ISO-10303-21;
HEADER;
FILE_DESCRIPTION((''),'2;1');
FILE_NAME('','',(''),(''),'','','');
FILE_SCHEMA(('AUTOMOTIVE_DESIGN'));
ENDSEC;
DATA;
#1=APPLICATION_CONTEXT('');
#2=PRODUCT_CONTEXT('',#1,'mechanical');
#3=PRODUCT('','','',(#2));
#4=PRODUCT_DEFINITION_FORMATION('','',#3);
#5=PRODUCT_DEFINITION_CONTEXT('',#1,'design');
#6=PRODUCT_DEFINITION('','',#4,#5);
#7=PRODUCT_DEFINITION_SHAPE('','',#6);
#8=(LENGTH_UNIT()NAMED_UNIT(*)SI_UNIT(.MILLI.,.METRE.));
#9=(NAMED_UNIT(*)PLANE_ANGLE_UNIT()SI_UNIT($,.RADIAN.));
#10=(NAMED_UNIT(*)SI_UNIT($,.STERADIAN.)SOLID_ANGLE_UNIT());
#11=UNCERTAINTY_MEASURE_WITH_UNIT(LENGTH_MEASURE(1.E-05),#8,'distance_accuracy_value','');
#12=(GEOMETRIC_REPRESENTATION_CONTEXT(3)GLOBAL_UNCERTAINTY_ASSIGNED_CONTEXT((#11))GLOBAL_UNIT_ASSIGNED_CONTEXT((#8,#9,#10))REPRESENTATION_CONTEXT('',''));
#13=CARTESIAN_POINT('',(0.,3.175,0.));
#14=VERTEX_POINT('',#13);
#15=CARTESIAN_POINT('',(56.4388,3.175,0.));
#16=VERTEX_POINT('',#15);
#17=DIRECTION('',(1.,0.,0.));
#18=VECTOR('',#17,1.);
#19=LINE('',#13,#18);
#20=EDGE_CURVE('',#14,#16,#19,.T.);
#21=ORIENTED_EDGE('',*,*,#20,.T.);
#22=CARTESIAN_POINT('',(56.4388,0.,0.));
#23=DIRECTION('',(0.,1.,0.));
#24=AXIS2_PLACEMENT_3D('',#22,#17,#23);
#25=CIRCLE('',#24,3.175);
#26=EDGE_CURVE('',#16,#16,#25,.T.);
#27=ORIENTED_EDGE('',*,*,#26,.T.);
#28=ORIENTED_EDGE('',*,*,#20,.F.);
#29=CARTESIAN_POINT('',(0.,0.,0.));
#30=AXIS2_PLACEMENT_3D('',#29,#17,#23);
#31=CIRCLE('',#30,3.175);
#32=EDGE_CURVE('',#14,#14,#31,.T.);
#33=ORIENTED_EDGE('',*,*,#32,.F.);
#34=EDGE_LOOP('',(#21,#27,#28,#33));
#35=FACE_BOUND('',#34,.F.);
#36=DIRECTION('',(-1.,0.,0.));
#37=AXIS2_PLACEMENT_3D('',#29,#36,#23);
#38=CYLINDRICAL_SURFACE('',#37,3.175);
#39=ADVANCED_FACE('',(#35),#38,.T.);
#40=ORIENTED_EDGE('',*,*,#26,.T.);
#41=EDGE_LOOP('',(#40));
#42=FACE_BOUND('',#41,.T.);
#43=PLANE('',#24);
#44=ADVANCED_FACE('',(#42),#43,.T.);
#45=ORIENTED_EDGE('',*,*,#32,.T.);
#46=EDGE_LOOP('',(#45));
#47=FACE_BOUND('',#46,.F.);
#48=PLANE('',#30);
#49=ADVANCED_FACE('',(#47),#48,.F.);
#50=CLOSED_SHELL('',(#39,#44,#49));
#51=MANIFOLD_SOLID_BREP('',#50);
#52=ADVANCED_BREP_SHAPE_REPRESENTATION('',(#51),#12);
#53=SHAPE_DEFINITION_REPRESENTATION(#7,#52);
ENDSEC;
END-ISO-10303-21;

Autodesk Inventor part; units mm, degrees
ref_plane "YZ Plane" through (0, 0, 0) normal (1, 0, 0) x (0, 1, 0)
ref_plane "XZ Plane" through (0, 0, 0) normal (0, 1, 0) x (-1, 0, 0)
ref_plane "XY Plane" through (0, 0, 0) normal (0, 0, 1) x (1, 0, 0)
sketch "Sketch1" plane through (0, 0, 0) normal (1, 0, 0) x (0, 1, 0)
  circle A0 centre (0, 0) radius 3.175
  dimension "d0" = 6.35
extrude "Extrusion1" add sketch "Sketch1" along normal blind 56.4388
properties part number "Papa John Connecter"
